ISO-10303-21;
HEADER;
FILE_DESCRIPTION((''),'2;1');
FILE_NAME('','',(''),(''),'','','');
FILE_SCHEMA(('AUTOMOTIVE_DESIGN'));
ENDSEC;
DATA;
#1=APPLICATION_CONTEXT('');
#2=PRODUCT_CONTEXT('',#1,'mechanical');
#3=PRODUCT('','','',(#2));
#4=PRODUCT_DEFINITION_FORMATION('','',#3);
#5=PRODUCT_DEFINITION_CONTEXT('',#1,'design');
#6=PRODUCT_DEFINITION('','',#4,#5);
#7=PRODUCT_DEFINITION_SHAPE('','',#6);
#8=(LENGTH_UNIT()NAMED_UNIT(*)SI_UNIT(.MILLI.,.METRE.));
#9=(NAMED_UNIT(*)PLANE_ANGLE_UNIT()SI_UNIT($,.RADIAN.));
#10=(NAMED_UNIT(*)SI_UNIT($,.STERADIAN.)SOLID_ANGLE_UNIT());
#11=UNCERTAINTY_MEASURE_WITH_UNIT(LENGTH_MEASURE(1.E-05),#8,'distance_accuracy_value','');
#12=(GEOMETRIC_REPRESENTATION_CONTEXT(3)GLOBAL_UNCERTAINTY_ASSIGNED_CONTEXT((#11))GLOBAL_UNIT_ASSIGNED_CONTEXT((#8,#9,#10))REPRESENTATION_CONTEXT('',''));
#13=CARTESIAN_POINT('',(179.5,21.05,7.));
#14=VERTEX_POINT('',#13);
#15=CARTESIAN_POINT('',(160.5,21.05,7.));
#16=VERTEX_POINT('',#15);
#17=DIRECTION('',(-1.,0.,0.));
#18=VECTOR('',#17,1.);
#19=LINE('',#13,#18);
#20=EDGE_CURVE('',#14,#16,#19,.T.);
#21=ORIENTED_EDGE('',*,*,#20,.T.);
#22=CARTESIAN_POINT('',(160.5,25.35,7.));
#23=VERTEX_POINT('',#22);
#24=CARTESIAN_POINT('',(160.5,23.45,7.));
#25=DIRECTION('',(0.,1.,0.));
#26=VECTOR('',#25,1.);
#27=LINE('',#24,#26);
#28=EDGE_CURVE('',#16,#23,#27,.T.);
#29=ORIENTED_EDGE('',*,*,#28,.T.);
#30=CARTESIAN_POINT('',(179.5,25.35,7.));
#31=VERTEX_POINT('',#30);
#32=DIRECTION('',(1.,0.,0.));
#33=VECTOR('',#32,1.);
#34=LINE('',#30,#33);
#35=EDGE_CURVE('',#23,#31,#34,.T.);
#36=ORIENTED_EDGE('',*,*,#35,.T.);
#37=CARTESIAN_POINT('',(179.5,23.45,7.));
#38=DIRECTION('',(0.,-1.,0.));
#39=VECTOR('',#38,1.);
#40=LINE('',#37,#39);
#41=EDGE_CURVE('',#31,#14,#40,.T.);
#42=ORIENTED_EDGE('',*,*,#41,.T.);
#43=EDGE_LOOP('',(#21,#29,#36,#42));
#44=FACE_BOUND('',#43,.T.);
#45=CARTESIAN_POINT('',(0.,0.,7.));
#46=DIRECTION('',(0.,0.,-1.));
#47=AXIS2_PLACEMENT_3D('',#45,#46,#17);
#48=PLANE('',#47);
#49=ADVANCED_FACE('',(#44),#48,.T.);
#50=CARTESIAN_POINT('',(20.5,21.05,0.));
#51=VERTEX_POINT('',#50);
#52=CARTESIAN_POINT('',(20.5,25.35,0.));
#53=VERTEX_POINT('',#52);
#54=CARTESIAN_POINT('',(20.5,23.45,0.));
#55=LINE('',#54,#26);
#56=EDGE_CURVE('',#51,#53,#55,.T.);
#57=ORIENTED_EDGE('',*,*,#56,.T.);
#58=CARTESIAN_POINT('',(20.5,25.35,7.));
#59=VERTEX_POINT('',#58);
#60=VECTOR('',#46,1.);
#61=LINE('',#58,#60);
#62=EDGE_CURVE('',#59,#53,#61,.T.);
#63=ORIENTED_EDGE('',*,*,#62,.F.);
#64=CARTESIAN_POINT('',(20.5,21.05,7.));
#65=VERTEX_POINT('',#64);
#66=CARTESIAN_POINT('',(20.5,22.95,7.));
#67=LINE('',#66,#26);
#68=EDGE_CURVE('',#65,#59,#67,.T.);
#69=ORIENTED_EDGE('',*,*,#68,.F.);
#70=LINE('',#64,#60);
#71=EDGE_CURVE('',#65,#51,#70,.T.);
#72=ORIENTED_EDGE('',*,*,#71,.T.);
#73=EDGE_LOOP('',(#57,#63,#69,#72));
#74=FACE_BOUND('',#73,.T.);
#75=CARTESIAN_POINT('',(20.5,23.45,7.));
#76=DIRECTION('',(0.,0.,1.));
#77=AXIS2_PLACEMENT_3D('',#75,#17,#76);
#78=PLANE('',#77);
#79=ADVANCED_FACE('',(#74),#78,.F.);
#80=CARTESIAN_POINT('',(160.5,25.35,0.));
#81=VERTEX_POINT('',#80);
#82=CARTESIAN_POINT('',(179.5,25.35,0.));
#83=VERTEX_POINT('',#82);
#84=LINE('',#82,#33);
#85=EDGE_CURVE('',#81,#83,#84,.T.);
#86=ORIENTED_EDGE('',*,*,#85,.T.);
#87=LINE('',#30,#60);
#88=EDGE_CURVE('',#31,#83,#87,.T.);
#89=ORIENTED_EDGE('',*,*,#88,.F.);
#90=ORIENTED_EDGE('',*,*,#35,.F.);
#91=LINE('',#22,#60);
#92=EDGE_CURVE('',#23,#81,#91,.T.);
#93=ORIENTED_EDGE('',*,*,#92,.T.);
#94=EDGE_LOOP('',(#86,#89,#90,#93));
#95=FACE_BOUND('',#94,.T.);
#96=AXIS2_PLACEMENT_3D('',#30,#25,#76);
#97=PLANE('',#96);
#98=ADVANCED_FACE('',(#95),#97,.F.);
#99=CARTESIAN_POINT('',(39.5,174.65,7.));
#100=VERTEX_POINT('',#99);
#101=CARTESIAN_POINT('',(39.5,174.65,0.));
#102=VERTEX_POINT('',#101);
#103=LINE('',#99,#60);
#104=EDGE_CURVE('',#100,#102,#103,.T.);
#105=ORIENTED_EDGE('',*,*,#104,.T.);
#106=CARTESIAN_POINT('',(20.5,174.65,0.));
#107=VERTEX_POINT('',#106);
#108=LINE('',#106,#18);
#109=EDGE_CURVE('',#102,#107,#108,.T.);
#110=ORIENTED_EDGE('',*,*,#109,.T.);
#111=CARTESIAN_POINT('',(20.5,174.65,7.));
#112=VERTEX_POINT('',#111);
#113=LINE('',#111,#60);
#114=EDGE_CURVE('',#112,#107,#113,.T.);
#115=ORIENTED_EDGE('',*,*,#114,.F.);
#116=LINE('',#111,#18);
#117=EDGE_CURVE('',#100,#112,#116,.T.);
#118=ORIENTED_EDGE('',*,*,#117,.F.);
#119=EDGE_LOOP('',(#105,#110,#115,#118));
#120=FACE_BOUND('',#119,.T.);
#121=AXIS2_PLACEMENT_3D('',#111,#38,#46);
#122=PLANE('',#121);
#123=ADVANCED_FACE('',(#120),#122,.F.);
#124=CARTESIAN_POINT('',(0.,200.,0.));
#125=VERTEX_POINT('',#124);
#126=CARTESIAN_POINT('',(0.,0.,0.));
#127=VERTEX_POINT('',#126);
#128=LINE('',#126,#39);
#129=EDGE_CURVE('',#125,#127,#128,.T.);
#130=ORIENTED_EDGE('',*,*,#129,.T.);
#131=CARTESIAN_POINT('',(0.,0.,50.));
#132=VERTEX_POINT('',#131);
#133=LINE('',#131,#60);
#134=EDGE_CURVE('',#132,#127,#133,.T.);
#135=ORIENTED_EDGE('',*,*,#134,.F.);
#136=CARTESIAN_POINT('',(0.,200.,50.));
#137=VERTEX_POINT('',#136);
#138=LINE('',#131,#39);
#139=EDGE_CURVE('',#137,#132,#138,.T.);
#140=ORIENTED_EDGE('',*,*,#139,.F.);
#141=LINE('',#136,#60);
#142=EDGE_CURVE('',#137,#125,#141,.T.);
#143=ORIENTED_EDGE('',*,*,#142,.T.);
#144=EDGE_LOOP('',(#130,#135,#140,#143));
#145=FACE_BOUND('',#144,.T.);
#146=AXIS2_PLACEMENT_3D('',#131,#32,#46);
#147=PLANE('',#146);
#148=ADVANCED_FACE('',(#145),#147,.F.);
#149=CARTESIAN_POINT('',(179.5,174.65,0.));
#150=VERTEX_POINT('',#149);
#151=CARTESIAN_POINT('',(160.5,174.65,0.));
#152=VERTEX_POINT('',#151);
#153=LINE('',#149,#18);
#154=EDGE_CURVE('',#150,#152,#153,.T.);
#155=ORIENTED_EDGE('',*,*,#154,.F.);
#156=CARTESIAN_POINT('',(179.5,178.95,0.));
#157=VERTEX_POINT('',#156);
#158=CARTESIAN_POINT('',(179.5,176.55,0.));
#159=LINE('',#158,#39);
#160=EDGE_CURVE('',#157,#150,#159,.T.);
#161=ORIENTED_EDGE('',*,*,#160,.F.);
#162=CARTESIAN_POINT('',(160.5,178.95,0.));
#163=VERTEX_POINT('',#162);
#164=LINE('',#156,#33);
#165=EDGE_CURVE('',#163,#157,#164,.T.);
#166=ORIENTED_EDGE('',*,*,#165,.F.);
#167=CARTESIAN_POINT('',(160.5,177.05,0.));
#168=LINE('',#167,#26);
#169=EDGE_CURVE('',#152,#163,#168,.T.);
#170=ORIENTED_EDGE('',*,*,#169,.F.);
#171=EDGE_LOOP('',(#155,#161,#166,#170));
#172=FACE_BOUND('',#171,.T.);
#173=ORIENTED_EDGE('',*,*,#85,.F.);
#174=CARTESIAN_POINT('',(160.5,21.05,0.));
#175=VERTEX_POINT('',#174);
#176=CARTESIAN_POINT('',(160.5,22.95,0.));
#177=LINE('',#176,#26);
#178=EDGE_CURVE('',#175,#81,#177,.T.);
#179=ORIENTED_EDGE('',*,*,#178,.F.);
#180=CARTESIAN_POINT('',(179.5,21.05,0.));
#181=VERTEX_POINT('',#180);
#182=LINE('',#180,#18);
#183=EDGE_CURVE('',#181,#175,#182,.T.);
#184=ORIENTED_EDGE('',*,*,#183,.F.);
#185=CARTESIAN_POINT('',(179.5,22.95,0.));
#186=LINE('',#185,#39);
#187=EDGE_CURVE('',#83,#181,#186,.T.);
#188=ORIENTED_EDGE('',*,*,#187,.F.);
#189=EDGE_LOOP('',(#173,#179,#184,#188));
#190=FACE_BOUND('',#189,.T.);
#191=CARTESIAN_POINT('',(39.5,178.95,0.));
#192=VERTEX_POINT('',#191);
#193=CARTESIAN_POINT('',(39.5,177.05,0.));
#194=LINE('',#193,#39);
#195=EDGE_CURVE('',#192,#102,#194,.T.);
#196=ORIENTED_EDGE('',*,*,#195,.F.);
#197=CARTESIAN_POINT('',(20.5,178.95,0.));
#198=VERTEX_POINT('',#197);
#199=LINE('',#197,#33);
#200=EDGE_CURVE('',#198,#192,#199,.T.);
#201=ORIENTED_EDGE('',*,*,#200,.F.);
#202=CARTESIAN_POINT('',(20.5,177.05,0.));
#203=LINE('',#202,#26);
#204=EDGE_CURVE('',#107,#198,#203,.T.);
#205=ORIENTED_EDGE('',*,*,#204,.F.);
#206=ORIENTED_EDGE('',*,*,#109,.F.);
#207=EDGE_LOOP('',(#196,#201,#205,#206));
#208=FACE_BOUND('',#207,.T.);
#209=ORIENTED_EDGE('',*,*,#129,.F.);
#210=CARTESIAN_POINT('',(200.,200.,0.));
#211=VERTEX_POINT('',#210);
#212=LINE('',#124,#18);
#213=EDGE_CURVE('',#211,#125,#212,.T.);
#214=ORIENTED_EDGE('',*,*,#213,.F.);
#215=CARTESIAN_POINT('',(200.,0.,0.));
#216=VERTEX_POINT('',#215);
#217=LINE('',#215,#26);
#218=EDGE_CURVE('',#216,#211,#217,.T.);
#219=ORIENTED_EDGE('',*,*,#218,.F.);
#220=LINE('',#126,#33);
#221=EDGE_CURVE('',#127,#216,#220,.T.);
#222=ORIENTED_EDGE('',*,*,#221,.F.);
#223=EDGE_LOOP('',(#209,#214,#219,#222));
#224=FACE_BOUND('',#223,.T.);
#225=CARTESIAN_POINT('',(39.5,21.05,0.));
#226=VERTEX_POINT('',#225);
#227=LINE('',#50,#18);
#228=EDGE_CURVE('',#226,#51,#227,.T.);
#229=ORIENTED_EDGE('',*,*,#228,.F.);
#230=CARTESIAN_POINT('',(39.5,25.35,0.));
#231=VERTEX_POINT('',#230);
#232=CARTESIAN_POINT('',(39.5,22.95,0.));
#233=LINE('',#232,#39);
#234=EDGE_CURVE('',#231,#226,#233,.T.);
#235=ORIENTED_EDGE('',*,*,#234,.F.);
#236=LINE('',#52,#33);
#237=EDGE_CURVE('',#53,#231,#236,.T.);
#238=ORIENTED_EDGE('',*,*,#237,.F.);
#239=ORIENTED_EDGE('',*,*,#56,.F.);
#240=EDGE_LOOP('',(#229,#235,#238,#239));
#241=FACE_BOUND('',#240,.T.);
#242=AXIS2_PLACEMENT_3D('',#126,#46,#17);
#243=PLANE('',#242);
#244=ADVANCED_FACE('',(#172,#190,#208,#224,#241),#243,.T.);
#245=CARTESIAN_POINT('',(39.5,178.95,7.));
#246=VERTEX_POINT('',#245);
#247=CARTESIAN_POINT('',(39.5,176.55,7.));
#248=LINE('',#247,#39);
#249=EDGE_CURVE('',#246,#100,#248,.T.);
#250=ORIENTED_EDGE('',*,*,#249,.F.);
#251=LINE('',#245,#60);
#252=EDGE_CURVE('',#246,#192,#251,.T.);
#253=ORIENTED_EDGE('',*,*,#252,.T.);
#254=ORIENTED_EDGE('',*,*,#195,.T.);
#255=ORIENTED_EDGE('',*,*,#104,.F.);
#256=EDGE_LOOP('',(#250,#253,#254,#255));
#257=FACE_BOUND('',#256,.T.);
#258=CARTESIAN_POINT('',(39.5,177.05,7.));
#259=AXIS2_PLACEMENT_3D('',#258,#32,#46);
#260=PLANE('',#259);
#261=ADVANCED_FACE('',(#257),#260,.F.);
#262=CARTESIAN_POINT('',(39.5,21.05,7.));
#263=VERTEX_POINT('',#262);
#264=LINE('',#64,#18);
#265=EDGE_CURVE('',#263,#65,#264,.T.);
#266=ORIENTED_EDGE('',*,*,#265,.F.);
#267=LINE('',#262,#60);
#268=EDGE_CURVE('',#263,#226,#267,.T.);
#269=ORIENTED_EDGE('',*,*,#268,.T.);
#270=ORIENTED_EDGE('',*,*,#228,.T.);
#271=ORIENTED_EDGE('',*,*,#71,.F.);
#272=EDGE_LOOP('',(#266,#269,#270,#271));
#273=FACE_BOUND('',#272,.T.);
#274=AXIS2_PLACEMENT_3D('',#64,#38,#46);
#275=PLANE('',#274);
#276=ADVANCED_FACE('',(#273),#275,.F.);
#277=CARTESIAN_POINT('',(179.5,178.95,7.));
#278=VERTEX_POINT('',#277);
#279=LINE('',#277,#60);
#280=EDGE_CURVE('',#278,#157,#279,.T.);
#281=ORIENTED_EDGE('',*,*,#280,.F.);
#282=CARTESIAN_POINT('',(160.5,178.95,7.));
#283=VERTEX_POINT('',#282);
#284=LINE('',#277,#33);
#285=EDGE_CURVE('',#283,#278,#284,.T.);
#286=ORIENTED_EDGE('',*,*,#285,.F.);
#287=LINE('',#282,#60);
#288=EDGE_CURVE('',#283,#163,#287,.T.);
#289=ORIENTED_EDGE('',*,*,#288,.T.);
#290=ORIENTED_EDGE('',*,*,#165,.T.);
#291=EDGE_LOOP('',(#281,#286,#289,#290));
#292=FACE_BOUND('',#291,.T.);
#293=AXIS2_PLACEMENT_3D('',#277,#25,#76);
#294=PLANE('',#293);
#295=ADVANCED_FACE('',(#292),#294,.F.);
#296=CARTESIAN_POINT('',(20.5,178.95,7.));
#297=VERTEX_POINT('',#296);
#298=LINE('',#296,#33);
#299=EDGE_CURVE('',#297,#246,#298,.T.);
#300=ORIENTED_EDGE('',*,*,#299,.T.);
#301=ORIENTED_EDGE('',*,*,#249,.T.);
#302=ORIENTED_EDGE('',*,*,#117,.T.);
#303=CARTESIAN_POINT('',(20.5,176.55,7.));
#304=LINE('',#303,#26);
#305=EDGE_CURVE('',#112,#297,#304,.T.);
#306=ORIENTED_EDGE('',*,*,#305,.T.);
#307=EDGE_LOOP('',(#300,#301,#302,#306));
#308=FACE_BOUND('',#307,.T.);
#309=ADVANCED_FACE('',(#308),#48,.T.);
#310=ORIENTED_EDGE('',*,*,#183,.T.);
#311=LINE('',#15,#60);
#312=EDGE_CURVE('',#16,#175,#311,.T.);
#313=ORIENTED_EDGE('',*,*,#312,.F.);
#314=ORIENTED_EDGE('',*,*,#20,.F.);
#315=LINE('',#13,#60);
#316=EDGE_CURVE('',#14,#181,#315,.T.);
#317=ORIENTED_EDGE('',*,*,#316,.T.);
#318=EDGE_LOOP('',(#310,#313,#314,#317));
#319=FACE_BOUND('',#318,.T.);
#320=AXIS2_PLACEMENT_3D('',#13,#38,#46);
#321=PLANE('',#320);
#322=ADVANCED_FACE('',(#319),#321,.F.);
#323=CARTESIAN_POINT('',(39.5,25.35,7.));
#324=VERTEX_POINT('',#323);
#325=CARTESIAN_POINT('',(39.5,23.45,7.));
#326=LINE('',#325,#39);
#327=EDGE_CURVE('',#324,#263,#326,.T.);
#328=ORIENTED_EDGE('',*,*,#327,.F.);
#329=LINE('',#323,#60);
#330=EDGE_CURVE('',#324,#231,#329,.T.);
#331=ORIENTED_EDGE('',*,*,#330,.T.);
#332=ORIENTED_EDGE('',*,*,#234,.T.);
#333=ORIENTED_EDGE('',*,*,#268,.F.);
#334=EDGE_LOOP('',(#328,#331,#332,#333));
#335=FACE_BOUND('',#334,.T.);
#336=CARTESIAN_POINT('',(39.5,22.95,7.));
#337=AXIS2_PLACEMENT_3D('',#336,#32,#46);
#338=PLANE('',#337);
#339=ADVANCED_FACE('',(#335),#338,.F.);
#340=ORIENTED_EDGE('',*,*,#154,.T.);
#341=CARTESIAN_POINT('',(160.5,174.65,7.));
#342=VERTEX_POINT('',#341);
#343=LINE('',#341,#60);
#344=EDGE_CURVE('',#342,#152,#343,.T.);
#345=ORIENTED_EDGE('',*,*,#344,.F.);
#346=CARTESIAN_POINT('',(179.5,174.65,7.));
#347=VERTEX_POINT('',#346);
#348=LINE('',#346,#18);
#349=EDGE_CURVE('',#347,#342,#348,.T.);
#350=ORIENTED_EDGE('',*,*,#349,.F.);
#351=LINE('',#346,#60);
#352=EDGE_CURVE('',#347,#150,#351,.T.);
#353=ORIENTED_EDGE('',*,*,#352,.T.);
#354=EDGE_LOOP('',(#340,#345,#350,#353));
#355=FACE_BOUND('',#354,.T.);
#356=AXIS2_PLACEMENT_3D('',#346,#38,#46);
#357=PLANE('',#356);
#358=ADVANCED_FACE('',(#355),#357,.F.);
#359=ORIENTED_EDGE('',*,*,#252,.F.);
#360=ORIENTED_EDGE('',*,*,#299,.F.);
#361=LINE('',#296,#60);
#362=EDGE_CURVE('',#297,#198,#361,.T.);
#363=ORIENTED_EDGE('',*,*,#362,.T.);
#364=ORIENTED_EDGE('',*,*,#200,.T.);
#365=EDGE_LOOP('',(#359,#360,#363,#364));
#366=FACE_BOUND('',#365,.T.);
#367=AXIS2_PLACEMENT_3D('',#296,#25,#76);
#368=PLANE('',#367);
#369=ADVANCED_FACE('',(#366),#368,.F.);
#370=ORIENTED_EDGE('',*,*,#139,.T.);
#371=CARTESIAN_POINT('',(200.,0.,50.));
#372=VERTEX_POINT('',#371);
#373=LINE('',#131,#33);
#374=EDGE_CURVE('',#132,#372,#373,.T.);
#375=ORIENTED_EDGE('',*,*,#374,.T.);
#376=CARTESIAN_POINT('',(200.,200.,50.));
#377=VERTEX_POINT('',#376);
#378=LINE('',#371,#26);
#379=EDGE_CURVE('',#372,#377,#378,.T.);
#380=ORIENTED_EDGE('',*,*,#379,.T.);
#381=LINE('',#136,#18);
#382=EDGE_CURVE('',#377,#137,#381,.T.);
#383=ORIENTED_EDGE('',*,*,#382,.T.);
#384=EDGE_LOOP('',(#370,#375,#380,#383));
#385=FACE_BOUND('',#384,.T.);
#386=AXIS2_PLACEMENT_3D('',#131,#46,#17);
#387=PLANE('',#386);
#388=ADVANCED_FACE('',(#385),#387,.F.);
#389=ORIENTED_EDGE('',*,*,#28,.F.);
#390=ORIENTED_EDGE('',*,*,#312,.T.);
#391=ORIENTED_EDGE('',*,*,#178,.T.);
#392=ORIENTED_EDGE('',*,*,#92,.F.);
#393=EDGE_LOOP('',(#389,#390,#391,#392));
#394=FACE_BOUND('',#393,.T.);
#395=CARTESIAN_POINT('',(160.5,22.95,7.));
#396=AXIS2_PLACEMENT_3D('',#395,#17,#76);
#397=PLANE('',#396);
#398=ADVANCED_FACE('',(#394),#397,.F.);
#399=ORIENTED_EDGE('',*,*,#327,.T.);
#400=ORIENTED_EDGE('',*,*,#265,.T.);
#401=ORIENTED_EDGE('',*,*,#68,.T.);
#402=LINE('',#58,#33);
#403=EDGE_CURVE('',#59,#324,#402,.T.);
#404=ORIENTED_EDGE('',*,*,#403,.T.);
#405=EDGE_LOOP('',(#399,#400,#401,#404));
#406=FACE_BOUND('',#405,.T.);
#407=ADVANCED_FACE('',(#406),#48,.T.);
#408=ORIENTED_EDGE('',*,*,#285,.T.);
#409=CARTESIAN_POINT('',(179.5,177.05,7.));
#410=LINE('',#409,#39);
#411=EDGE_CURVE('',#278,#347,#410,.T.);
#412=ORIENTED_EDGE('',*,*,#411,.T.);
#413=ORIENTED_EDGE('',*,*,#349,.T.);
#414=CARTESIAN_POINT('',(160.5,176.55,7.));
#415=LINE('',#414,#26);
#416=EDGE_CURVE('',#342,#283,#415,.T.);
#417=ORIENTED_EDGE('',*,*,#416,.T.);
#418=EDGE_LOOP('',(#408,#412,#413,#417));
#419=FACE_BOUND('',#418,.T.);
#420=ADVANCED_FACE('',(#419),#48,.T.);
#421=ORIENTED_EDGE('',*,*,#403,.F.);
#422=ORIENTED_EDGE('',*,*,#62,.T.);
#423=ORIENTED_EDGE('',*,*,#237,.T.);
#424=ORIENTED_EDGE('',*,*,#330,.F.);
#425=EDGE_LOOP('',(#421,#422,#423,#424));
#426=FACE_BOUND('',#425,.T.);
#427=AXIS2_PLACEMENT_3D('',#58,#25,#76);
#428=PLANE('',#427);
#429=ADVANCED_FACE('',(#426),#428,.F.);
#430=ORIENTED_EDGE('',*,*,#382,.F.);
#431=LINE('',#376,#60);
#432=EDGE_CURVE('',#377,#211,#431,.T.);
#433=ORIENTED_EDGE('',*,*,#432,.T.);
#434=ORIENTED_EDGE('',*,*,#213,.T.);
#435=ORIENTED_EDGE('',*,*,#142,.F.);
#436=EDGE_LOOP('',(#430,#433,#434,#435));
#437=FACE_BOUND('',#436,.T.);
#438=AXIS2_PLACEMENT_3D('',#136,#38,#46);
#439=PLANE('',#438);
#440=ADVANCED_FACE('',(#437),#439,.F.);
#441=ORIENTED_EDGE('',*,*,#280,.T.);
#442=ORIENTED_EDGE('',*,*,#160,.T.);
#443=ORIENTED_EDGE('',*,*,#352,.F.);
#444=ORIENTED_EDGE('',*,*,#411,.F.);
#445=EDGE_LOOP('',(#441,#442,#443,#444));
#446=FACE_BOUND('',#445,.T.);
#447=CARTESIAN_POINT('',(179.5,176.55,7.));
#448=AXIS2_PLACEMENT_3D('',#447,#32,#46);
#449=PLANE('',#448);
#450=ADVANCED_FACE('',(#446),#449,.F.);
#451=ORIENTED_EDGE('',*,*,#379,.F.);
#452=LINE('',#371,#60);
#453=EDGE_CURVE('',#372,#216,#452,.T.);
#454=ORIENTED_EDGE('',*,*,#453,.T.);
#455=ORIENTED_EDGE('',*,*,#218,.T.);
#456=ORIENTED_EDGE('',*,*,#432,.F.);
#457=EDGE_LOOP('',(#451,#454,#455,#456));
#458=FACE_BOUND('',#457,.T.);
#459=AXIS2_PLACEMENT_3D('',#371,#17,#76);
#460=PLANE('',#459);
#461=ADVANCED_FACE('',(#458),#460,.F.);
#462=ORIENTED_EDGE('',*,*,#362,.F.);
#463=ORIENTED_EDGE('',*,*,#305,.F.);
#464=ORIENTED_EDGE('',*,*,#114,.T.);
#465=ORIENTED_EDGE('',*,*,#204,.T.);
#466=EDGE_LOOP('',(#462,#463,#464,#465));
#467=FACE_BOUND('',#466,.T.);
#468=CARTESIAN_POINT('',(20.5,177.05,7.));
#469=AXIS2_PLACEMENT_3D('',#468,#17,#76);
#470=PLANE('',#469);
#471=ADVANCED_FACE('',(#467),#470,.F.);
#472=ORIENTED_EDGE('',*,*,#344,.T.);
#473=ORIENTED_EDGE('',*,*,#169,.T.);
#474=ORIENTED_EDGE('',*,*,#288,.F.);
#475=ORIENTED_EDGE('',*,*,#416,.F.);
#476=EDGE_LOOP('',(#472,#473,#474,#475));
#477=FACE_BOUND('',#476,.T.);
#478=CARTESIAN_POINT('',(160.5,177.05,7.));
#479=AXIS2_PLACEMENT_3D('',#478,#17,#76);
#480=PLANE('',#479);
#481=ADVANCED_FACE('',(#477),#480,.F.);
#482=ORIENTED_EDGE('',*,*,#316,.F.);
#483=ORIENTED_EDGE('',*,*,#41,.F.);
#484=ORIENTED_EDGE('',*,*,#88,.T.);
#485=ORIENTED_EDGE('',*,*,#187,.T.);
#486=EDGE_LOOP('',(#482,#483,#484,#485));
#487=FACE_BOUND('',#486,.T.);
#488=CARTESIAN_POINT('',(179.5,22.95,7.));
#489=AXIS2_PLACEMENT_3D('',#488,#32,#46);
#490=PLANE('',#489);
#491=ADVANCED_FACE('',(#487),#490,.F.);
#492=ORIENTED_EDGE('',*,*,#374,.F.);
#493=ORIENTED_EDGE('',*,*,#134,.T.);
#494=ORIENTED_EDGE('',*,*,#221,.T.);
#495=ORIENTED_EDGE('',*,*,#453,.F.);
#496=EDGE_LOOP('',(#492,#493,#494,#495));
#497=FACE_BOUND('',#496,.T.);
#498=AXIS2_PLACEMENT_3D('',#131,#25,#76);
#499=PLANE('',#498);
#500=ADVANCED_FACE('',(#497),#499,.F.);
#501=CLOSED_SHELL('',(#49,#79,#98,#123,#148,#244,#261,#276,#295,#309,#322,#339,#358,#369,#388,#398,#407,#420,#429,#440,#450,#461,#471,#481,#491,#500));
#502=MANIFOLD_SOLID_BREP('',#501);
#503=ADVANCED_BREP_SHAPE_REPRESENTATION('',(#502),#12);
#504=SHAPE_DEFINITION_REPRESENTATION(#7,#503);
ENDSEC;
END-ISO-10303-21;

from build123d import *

# Parameters (mm, degrees)
ESBO_O1_W                = 200
ESBO_O1_H                = 200
RESSALTO_EXTRUS_O1_DEPTH = 50
CORTE_EXTRUS_O1_DEPTH    = 7


with BuildPart() as part:
    # Esboço1 → Ressalto-extrusão1 (new body)
    with BuildSketch(Plane.XY):
        with Locations((100, 100)):
            Rectangle(ESBO_O1_W, ESBO_O1_H)
    extrude(amount=RESSALTO_EXTRUS_O1_DEPTH)

    # Esboço3 → Corte-extrusão1 (cut)
    with BuildSketch(Plane(origin=(0, 0, 0), x_dir=(-1, 0, 0), z_dir=(0, 0, -1))):
        Polygon((-160.5, 176.55), (-160.5, 177.05), (-160.5, 178.95), (-179.5, 178.95), (-179.5, 177.05), (-179.5, 176.55), (-179.5, 174.65), (-160.5, 174.65), align=None)
        Polygon((-39.5, 177.05), (-39.5, 178.95), (-20.5, 178.95), (-20.5, 177.05), (-20.5, 176.55), (-20.5, 174.65), (-39.5, 174.65), (-39.5, 176.55), align=None)
        Polygon((-39.5, 23.45), (-39.5, 22.95), (-39.5, 21.05), (-20.5, 21.05), (-20.5, 22.95), (-20.5, 23.45), (-20.5, 25.35), (-39.5, 25.35), align=None)
        Polygon((-160.5, 22.95), (-160.5, 21.05), (-179.5, 21.05), (-179.5, 22.95), (-179.5, 23.45), (-179.5, 25.35), (-160.5, 25.35), (-160.5, 23.45), align=None)
    extrude(amount=-CORTE_EXTRUS_O1_DEPTH, mode=Mode.SUBTRACT)


solid = part.part
